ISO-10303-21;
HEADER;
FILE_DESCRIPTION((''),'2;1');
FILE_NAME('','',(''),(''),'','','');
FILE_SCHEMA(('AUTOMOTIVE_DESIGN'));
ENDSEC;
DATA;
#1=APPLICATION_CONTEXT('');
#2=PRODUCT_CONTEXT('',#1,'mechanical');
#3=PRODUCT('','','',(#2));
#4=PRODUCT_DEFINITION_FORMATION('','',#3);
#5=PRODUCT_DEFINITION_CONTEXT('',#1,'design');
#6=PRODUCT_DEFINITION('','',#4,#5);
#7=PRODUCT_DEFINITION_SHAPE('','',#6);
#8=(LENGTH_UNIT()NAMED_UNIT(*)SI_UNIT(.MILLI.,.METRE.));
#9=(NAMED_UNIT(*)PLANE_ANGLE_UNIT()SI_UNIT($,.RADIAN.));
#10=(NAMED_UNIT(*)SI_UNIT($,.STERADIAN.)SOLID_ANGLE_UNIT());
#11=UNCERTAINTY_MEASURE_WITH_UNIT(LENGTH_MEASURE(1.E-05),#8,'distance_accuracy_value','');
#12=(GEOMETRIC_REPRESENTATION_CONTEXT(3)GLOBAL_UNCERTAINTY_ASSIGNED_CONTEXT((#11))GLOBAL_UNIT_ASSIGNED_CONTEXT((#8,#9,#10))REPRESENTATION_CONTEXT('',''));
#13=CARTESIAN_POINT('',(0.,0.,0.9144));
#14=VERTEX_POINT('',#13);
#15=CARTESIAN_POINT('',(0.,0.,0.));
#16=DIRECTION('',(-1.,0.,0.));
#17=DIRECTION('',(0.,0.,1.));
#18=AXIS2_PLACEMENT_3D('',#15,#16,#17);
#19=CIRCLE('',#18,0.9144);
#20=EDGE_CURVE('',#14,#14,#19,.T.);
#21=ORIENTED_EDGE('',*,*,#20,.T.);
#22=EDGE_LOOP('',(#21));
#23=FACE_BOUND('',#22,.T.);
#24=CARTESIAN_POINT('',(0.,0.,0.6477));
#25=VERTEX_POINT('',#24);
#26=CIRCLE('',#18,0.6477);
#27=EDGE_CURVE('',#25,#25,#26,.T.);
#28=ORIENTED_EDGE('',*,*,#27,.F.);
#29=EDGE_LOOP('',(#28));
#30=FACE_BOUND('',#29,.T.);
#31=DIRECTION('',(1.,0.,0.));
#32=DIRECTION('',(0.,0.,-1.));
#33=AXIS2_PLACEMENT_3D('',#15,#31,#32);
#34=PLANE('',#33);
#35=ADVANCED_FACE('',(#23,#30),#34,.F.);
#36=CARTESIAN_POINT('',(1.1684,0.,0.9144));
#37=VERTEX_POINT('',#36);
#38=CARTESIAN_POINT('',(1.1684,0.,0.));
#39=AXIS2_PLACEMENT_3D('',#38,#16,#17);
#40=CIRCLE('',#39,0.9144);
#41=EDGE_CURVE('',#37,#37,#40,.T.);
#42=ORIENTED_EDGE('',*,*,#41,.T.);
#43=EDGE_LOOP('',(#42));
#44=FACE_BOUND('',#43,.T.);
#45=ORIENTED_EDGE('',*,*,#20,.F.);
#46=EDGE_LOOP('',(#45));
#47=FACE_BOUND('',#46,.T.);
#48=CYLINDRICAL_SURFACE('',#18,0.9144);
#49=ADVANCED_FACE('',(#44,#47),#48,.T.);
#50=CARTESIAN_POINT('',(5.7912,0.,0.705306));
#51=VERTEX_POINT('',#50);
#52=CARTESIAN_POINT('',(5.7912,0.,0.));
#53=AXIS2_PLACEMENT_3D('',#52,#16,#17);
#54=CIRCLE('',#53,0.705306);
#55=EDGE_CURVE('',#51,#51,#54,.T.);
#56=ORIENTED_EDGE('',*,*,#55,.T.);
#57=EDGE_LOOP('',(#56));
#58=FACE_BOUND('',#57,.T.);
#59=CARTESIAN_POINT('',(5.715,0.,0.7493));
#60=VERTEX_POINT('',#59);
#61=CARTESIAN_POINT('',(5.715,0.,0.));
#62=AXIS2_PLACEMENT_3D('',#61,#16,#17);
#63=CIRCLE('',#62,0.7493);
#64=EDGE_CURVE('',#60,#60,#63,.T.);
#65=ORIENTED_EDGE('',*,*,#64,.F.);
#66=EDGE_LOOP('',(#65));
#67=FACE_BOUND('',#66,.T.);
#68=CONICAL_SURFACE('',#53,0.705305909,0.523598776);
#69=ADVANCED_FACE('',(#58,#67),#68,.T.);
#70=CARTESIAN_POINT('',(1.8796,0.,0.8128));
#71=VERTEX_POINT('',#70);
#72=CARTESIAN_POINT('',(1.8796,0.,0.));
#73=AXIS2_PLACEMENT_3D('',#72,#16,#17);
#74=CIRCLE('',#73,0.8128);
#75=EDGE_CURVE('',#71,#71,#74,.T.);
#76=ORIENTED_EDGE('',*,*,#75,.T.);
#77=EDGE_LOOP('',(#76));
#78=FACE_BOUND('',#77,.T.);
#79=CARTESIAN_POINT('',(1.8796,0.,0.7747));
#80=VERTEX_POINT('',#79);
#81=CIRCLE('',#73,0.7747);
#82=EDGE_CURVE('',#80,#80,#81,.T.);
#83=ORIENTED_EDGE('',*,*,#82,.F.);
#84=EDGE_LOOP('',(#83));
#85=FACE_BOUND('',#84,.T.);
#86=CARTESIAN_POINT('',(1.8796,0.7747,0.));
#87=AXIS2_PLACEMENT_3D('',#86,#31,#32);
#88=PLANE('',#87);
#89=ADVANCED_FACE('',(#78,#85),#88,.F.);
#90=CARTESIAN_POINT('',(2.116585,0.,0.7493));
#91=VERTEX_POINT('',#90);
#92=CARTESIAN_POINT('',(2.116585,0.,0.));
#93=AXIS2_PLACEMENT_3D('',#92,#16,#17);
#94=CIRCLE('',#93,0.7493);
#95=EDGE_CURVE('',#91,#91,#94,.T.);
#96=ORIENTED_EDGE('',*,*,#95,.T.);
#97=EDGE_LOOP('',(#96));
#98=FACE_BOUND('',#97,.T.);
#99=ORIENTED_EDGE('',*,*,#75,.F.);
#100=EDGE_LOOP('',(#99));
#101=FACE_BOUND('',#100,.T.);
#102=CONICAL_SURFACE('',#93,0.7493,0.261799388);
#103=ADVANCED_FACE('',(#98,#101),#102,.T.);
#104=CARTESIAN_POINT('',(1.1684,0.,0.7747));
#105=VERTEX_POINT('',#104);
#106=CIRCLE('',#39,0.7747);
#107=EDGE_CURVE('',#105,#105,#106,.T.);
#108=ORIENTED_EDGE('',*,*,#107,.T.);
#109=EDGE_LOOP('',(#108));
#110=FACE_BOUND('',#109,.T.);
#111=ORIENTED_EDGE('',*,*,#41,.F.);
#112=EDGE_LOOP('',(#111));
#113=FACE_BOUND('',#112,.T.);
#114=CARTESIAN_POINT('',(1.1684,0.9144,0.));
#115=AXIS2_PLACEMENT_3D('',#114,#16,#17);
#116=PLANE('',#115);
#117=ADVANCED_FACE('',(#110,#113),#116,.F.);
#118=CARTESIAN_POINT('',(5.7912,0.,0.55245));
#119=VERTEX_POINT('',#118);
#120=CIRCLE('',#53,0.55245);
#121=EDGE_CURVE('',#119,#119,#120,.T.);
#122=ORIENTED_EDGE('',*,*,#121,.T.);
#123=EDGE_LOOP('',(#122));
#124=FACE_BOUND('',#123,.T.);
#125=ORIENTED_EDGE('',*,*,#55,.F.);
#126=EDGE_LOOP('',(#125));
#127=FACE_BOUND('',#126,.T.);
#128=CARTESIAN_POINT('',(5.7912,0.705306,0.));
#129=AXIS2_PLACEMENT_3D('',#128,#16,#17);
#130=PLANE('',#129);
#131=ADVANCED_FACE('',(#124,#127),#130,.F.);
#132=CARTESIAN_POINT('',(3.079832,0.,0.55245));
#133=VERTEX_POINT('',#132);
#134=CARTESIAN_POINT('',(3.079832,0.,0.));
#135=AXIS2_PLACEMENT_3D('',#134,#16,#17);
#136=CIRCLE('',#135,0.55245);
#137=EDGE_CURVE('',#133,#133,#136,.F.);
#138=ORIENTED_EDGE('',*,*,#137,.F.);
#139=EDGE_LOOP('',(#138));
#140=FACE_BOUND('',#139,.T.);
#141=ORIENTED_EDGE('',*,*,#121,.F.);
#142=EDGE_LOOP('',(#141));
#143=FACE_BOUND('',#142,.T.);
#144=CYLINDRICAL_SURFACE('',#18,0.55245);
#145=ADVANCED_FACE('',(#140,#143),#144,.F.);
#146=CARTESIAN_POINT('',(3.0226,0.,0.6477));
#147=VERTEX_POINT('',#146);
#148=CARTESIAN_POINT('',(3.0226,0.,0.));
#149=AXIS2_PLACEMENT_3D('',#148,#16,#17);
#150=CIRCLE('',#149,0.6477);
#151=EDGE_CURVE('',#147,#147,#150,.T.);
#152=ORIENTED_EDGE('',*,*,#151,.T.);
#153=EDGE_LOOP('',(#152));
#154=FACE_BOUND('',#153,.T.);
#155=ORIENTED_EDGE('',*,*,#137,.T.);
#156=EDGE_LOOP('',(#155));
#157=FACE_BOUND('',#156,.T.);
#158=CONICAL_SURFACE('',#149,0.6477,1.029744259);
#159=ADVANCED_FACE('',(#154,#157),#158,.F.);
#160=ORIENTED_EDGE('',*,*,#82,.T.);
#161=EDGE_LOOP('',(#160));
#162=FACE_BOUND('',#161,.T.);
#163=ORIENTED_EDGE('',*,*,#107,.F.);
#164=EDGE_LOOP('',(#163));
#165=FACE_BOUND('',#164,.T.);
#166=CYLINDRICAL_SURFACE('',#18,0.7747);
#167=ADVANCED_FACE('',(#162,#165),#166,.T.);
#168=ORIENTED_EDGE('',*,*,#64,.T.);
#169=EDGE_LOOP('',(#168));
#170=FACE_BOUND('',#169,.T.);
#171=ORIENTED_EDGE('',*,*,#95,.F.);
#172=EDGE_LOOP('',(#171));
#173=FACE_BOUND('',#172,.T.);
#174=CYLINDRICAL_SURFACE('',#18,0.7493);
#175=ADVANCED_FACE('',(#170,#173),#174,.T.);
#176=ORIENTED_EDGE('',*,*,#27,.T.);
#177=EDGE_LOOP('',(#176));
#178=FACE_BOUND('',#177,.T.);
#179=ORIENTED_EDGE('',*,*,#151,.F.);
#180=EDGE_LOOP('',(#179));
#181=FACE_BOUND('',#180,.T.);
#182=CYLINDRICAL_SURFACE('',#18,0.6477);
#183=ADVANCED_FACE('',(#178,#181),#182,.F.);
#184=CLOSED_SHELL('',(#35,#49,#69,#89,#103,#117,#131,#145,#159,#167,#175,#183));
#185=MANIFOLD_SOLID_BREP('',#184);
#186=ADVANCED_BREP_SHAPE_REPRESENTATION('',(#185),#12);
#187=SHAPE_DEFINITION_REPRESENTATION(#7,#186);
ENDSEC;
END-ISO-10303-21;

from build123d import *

# Parameters (mm, degrees)
HOLE1_D     = 1.2954
HOLE1_DEPTH = 3.0226
HOLE1_TIP   = 0.389177423
HOLE2_D     = 1.1049
HOLE2_DEPTH = 5.7912
HOLE2_TIP   = 0.331945449


with BuildPart() as part:
    # Sketch1 → RevolutionAngle1 (revolve)
    with BuildSketch(Plane.XY):
        Polygon((0, 0), (0, 0.9144), (1.1684, 0.9144), (1.1684, 0.7747), (1.8796, 0.7747), (1.8796, 0.8128), (2.116585226, 0.7493), (5.715, 0.7493), (5.7912, 0.705305909), (5.7912, 0), align=None)
    revolve(axis=Axis((0, 0, 0), (1, 0, 0)))

    # Hole1
    with Locations(Plane.ZY):
        with Locations((0, 0)):
            Hole(HOLE1_D / 2, depth=HOLE1_DEPTH)
            with Locations((0, 0, -(HOLE1_DEPTH + HOLE1_TIP / 2))):  # 118° drill point
                Cone(0, HOLE1_D / 2, HOLE1_TIP, mode=Mode.SUBTRACT)

    # Hole2
    with Locations(Plane(origin=(0, 0.189503468, -0.794290882), x_dir=(0, 0, 1), z_dir=(-1, 0, 0))):
        with Locations((0.794290882, -0.189503468)):
            Hole(HOLE2_D / 2, depth=HOLE2_DEPTH)
            with Locations((0, 0, -(HOLE2_DEPTH + HOLE2_TIP / 2))):  # 118° drill point
                Cone(0, HOLE2_D / 2, HOLE2_TIP, mode=Mode.SUBTRACT)


solid = part.part
